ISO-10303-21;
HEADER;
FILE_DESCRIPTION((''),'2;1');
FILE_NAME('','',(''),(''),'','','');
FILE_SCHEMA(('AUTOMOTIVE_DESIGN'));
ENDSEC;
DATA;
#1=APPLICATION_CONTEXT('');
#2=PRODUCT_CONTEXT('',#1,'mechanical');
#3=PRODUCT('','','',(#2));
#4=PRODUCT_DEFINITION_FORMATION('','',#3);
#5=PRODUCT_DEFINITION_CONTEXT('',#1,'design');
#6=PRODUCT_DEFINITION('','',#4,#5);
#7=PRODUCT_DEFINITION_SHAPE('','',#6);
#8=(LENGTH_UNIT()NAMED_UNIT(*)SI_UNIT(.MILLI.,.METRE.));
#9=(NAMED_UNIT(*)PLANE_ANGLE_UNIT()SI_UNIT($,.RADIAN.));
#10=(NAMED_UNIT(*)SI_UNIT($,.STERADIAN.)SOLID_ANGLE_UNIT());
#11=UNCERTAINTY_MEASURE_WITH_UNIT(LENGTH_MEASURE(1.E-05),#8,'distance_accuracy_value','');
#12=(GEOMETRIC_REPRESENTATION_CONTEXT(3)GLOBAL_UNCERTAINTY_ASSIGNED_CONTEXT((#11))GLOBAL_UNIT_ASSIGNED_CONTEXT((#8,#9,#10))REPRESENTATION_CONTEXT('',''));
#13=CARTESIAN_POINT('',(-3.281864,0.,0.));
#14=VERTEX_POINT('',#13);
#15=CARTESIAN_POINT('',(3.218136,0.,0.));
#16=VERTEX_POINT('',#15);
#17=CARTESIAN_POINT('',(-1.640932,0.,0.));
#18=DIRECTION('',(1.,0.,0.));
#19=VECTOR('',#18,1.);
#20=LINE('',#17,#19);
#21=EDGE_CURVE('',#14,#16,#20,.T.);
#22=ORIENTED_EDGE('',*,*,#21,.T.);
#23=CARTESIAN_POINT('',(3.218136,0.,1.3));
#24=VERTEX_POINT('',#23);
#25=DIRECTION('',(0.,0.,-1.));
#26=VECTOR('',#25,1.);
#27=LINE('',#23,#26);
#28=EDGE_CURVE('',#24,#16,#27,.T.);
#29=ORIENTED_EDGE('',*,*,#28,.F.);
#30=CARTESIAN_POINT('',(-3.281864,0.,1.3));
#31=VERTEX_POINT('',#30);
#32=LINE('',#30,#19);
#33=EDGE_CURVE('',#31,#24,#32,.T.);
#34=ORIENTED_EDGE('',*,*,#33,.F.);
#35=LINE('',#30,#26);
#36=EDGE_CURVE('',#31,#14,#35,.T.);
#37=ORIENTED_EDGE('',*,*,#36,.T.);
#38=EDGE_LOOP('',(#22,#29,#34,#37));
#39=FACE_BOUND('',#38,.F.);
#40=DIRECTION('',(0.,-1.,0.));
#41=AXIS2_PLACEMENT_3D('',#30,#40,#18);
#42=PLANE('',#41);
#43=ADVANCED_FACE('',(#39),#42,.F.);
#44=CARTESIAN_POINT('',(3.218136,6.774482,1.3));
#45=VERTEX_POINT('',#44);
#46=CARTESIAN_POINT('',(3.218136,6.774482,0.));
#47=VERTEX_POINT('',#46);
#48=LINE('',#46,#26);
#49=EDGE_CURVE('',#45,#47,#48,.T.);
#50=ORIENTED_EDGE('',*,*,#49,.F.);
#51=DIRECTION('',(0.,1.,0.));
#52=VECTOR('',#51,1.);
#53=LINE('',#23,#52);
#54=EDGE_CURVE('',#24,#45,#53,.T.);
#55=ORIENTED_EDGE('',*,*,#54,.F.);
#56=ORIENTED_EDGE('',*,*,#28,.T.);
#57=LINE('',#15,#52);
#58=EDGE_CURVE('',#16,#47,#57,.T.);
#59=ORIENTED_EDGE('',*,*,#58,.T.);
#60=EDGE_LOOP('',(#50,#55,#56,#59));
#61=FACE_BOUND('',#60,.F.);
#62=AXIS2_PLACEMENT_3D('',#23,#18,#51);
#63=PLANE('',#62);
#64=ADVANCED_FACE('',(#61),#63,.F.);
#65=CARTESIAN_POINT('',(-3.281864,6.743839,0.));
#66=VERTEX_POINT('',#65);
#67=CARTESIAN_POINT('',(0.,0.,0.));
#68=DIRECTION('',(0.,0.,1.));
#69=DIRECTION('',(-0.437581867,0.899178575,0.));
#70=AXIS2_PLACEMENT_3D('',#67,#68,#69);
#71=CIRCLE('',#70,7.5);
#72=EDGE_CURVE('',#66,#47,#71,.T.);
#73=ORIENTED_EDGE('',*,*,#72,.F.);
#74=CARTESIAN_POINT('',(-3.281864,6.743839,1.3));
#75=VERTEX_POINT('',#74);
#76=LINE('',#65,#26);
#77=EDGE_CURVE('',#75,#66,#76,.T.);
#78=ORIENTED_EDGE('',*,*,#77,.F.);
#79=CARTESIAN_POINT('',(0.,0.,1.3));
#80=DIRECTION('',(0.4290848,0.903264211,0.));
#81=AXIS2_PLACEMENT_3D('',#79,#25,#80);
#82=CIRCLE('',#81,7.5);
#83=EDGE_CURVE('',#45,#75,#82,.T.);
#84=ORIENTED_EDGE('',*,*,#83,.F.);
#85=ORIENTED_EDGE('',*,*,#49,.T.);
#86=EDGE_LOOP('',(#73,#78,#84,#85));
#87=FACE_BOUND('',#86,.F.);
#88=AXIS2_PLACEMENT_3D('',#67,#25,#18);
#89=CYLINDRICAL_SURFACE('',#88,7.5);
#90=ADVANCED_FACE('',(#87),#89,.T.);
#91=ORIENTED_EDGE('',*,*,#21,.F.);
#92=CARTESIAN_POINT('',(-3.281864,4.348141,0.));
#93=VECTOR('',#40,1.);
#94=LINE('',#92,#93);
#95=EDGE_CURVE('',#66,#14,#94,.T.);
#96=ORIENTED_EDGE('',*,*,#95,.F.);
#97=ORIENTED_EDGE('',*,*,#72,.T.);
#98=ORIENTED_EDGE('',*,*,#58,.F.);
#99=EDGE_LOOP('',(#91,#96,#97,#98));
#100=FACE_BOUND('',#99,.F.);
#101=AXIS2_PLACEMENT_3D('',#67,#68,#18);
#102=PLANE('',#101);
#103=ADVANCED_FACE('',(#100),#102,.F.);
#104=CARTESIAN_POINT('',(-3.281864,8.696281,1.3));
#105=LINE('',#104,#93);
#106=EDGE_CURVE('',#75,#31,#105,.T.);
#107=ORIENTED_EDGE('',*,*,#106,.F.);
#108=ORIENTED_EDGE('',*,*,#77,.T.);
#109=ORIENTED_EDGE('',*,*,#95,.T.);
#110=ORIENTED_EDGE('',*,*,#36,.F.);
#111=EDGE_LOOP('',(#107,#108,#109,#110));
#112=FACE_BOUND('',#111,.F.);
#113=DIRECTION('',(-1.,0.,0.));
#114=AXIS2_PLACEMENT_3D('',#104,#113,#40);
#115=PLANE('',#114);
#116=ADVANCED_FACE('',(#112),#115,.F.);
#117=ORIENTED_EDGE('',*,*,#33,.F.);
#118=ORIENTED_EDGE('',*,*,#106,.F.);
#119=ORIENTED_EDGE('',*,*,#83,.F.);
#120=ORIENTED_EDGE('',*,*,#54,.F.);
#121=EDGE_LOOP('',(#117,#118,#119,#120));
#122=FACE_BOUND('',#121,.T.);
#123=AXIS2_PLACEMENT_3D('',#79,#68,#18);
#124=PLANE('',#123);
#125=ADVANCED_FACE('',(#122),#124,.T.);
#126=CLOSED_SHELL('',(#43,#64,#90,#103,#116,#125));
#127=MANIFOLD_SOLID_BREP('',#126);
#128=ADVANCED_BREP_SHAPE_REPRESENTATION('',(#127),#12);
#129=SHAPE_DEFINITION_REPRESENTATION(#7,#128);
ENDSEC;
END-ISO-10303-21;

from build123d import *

# Parameters (mm, degrees)
F0_R     = 7.5
F1_DEPTH = 1.3
F3_DEPTH = 10


with BuildPart() as f1:
    # F0 (on Top) → F1 (new body)
    with BuildSketch(Plane.XY):
        Circle(F0_R)
    extrude(amount=F1_DEPTH)

    # F2 (on face) → F3 (cut)
    with BuildSketch(Plane.XY.offset(1.3)):
        Polygon((-0.281864, 0), (0, 0), (3.218136, 0), (3.218136, 9.915092), (2.818136, 9.068452), (-3.281864, 8.696281), (-3.281864, 0), align=None)
    extrude(amount=-F3_DEPTH, mode=Mode.SUBTRACT)


solid = f1.part
